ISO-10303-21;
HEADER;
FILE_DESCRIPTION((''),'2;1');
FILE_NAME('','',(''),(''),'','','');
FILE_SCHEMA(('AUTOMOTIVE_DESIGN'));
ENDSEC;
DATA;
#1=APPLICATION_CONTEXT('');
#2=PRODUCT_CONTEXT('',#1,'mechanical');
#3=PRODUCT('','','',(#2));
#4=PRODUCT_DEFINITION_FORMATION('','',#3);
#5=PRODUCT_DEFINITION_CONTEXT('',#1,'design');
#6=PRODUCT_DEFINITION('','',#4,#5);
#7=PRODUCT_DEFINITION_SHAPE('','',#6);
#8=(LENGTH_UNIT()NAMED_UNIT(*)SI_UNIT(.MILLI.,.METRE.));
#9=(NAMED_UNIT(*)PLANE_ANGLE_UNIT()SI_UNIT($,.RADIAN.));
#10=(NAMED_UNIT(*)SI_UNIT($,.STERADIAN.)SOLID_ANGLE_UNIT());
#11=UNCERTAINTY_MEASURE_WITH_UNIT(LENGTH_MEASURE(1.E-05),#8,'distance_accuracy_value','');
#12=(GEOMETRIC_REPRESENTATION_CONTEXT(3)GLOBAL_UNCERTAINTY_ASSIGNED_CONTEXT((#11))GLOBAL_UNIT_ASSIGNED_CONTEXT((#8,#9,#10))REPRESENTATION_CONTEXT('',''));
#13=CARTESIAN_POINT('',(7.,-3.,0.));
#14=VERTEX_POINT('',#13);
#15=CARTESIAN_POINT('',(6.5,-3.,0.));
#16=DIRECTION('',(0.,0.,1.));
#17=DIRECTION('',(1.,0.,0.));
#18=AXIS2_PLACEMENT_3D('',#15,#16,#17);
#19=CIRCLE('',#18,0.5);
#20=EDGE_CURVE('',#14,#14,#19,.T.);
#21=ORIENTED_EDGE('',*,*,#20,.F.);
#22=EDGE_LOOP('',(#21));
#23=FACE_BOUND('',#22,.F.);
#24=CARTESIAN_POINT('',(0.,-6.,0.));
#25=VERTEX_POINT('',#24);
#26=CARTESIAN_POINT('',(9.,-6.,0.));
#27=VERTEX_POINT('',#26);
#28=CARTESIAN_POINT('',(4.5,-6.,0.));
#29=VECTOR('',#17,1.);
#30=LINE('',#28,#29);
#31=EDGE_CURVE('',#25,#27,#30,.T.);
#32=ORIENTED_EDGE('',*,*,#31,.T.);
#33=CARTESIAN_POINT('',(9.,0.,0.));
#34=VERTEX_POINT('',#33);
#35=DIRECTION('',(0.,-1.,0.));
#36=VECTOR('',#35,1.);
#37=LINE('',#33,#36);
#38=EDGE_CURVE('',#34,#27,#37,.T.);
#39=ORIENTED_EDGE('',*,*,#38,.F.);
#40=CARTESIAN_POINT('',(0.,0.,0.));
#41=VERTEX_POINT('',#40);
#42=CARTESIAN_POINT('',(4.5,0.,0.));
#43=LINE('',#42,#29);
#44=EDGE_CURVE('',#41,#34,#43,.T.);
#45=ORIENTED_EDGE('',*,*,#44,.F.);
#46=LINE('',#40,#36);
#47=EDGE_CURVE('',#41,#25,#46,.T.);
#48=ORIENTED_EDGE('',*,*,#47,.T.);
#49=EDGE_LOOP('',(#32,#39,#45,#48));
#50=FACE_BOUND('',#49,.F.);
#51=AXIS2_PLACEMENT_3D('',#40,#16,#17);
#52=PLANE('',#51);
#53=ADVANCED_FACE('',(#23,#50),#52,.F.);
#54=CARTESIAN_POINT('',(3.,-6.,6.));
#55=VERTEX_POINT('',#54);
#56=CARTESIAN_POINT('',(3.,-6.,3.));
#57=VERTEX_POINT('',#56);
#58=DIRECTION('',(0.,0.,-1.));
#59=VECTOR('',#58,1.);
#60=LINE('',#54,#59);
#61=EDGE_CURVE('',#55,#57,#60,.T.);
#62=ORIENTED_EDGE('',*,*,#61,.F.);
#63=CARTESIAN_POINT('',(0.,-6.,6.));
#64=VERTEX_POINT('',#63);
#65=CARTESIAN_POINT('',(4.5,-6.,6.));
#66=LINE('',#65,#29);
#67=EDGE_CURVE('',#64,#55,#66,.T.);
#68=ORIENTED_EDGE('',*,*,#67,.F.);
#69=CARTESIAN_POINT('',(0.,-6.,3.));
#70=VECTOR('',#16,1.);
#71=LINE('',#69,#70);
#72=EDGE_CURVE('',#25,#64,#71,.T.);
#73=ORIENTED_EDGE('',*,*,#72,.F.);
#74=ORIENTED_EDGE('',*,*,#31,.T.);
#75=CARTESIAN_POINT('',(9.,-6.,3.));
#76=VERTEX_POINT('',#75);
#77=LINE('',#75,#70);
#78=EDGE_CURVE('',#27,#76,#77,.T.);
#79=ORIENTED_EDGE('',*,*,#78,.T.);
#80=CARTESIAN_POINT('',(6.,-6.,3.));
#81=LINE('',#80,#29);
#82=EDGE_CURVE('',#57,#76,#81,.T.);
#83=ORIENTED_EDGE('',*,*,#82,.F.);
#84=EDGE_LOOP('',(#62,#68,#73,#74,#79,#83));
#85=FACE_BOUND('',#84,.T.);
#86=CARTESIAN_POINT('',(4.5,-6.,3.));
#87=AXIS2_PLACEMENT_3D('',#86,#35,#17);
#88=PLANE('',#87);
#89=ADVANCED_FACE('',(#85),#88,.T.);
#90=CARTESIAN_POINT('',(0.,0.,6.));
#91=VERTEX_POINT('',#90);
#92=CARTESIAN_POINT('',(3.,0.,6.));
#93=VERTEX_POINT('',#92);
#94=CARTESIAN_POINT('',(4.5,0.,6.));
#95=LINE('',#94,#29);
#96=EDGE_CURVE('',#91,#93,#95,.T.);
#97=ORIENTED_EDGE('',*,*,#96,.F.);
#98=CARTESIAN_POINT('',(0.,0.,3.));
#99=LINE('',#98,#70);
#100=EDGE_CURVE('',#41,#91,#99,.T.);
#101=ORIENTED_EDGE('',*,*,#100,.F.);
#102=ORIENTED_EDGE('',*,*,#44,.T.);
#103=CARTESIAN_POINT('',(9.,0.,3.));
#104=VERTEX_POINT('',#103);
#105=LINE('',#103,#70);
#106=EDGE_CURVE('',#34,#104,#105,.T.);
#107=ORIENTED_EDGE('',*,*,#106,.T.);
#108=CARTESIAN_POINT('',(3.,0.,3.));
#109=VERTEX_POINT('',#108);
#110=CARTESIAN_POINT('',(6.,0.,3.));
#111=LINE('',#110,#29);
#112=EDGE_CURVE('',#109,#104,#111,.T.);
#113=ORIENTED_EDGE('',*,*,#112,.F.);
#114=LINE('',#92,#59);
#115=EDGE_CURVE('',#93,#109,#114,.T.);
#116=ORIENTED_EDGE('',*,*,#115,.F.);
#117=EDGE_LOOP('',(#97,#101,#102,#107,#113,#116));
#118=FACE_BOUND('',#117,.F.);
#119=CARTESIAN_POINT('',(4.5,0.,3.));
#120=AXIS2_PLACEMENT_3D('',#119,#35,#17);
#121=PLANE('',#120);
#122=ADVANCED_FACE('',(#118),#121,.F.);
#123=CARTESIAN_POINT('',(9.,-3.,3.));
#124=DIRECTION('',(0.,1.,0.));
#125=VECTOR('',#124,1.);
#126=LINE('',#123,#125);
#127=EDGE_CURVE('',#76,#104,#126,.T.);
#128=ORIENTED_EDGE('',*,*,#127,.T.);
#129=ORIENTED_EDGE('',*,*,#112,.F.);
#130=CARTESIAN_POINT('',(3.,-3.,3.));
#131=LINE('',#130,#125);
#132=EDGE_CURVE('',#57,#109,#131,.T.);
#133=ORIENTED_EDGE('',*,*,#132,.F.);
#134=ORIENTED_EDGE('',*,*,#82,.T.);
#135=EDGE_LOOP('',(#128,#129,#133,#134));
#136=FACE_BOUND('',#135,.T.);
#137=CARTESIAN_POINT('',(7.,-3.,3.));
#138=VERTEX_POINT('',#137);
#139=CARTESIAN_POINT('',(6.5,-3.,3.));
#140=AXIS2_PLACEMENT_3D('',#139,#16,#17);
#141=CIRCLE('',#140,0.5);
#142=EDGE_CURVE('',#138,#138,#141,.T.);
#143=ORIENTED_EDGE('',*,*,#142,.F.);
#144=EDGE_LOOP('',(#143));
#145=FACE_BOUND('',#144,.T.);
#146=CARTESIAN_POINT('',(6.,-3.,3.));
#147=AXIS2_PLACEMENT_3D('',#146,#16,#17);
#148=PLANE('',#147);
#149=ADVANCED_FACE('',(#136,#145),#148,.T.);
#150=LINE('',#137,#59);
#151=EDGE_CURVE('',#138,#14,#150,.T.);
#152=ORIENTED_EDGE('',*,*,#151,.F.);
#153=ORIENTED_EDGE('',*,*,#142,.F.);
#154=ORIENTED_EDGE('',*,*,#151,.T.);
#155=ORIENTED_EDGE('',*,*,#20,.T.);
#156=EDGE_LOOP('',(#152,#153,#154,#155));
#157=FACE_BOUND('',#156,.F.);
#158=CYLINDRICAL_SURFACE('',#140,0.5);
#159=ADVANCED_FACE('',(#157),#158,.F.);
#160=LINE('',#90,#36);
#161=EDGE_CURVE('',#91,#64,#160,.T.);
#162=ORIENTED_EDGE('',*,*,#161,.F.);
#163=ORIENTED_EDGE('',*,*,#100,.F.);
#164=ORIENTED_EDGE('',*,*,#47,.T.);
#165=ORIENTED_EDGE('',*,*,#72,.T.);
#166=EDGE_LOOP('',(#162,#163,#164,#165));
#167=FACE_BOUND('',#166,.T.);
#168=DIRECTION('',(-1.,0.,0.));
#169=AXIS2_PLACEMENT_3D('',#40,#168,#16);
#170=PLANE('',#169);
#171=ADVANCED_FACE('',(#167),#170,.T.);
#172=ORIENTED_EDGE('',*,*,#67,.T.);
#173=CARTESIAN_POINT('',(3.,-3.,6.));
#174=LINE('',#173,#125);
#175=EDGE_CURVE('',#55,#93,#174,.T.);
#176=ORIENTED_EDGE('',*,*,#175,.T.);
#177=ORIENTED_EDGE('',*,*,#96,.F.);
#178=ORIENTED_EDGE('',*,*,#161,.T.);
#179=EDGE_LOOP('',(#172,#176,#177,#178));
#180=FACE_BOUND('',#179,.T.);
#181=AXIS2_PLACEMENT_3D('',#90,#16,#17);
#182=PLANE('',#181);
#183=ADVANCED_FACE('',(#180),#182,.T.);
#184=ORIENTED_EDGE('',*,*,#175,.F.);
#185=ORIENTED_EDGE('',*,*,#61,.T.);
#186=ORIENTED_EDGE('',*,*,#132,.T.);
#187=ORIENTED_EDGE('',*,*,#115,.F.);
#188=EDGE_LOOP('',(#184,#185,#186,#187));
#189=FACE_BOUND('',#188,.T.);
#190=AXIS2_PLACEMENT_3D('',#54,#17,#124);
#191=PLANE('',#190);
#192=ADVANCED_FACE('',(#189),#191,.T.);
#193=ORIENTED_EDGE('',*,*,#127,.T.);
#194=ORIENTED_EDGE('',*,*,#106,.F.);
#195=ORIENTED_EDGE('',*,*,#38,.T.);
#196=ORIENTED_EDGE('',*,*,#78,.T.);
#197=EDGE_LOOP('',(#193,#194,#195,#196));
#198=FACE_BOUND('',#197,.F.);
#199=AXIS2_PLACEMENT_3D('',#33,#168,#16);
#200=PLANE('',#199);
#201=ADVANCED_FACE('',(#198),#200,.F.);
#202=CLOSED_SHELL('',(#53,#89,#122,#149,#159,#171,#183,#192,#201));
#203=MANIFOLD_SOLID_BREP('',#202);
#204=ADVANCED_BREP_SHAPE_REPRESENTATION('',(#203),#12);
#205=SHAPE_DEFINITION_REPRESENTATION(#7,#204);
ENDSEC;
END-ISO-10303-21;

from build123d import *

# Parameters (mm, degrees)
F0_W     = 9
F0_H     = 6
F1_DEPTH = 6
F2_W     = 6
F2_H     = 6
F3_DEPTH = 3
F4_R     = 0.5
F5_DEPTH = 25


with BuildPart() as f1:
    # F0 (on Front) → F1 (new body)
    with BuildSketch(Plane.XZ):
        with Locations((4.5, 3)):
            Rectangle(F0_W, F0_H)
    extrude(amount=F1_DEPTH)

    # F2 (on face) → F3 (cut)
    with BuildSketch(Plane.XY.offset(6)):
        with Locations((6, -3)):
            Rectangle(F2_W, F2_H)
    extrude(amount=-F3_DEPTH, mode=Mode.SUBTRACT)

    # F4 (on face) → F5 (cut)
    with BuildSketch(Plane.XY.offset(3)):
        with Locations((6.5, -3)):
            Circle(F4_R)
    extrude(amount=-F5_DEPTH, mode=Mode.SUBTRACT)


solid = f1.part
